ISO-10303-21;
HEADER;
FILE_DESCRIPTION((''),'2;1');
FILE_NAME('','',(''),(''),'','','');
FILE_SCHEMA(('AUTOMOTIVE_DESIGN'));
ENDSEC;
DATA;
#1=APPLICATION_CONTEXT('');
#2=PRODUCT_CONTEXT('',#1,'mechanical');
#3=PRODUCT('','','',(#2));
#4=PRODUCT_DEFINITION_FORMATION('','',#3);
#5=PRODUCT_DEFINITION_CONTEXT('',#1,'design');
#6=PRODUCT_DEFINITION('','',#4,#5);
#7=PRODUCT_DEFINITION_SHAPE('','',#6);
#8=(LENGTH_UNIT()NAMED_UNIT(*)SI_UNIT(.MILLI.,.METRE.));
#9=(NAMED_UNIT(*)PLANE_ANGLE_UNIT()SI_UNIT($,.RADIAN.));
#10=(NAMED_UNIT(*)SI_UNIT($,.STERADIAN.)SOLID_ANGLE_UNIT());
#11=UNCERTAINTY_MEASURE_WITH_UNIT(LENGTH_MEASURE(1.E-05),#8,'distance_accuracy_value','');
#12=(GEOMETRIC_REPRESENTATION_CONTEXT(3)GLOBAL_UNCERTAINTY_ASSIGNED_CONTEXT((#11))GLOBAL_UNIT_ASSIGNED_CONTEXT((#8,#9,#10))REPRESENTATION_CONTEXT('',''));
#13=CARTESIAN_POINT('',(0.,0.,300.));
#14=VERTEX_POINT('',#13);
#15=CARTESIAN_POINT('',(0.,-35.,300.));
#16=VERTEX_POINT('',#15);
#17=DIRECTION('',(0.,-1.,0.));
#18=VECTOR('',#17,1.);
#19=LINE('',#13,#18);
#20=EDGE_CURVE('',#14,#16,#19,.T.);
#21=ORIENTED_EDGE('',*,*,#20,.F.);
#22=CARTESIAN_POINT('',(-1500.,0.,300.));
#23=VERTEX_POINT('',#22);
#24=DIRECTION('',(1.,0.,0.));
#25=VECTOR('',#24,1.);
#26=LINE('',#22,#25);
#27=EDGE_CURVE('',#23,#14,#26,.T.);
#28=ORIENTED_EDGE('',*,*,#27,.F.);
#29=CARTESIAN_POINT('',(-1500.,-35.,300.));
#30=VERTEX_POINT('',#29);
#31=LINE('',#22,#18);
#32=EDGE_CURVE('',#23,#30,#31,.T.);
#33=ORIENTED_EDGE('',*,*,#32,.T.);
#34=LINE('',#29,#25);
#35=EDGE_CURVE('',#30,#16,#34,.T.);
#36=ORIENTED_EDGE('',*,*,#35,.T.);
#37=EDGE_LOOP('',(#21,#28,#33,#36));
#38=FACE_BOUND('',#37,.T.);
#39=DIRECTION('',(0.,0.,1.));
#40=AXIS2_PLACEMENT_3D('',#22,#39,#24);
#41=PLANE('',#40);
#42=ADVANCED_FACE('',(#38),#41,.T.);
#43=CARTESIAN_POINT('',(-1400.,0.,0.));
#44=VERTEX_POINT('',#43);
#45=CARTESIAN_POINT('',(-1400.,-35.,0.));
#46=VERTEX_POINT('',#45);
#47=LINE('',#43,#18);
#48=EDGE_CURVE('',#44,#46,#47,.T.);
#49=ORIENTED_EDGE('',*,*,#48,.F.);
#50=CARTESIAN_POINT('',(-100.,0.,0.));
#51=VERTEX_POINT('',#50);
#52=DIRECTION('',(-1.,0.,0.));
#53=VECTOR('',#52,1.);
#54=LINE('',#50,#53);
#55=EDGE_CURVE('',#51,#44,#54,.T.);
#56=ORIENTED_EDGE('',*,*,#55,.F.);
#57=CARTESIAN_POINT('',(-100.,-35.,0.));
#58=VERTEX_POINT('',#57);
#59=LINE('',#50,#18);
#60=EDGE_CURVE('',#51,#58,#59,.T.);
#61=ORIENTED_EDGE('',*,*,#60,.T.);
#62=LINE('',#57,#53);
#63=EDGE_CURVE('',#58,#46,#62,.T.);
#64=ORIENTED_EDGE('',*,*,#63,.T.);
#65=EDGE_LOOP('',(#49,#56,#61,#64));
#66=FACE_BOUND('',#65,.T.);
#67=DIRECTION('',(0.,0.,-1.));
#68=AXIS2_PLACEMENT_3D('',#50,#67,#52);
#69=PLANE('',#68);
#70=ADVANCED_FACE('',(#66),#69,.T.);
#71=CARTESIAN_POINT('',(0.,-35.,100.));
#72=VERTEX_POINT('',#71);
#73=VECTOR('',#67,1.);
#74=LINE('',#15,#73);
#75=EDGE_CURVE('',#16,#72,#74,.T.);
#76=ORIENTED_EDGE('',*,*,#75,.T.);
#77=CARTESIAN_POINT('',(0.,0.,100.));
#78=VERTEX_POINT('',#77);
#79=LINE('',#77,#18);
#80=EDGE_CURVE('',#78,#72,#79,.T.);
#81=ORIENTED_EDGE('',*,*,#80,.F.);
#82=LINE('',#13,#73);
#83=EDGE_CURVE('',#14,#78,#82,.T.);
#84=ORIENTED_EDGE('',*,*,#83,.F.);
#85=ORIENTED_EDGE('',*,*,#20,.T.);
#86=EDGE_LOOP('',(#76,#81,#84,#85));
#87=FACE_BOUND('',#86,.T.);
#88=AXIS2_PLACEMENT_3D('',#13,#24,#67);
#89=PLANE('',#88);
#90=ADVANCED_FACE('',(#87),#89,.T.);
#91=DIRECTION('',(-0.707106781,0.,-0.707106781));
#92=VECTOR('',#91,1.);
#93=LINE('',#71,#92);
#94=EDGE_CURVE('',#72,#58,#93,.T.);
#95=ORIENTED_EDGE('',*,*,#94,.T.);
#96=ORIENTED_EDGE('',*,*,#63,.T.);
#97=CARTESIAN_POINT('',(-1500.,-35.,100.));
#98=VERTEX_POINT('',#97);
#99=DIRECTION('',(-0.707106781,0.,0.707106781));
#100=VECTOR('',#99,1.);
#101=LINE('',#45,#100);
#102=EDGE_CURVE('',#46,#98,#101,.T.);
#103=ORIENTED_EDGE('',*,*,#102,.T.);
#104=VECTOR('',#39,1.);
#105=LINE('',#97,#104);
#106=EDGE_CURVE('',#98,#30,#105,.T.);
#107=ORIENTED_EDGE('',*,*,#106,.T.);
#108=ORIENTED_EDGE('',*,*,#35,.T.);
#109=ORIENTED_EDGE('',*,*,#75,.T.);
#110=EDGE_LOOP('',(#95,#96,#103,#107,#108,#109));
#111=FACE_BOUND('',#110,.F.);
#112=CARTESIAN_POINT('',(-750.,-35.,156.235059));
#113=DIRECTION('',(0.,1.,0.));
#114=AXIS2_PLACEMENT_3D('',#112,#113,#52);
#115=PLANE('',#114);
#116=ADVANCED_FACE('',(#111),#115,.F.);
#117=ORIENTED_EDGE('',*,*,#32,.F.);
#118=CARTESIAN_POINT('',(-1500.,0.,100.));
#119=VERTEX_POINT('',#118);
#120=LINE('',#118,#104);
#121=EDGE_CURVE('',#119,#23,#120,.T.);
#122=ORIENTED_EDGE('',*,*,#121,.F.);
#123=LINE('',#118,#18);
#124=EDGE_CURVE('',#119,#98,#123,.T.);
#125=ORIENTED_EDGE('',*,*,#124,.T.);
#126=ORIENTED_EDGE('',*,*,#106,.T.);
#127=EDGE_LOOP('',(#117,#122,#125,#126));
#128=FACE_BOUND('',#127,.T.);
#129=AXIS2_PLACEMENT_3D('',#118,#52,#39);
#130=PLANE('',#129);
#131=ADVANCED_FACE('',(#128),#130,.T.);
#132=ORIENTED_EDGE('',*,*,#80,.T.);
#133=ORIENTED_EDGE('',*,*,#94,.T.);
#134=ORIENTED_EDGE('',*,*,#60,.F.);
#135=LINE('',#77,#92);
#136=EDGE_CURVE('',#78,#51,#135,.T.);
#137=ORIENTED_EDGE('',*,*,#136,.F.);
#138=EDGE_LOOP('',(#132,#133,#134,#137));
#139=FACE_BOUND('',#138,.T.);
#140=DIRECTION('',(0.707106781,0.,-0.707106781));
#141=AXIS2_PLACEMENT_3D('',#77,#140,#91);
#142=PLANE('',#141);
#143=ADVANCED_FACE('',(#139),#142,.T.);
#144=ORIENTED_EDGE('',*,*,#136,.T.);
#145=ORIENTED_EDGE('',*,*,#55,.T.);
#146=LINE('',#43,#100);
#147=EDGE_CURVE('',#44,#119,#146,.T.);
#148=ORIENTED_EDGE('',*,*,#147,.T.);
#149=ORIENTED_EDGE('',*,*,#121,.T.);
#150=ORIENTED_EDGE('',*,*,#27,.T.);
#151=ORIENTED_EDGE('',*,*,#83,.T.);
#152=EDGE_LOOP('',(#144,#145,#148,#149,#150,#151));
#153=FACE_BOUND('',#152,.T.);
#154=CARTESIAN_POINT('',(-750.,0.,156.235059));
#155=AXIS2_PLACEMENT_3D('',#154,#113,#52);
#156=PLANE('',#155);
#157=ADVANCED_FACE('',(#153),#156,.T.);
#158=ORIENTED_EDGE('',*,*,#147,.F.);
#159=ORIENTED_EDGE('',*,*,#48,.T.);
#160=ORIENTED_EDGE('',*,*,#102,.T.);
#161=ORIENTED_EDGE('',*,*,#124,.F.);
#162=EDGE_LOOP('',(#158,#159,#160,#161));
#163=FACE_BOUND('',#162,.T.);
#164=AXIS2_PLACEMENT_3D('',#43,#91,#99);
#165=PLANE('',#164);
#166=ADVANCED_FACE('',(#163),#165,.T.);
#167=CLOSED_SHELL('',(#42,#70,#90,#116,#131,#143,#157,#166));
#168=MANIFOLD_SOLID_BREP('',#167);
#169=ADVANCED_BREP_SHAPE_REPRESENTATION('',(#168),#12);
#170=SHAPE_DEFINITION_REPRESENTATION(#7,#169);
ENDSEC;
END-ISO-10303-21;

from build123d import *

# Parameters (mm, degrees)
PAD_DEPTH = 35


with BuildPart() as part:
    # Sketch → Pad (new body)
    with BuildSketch(Plane.XZ):
        Polygon((-100, 0), (-1400, 0), (-1500, 100), (-1500, 300), (0, 300), (0, 100), align=None)
    extrude(amount=PAD_DEPTH)


solid = part.part
